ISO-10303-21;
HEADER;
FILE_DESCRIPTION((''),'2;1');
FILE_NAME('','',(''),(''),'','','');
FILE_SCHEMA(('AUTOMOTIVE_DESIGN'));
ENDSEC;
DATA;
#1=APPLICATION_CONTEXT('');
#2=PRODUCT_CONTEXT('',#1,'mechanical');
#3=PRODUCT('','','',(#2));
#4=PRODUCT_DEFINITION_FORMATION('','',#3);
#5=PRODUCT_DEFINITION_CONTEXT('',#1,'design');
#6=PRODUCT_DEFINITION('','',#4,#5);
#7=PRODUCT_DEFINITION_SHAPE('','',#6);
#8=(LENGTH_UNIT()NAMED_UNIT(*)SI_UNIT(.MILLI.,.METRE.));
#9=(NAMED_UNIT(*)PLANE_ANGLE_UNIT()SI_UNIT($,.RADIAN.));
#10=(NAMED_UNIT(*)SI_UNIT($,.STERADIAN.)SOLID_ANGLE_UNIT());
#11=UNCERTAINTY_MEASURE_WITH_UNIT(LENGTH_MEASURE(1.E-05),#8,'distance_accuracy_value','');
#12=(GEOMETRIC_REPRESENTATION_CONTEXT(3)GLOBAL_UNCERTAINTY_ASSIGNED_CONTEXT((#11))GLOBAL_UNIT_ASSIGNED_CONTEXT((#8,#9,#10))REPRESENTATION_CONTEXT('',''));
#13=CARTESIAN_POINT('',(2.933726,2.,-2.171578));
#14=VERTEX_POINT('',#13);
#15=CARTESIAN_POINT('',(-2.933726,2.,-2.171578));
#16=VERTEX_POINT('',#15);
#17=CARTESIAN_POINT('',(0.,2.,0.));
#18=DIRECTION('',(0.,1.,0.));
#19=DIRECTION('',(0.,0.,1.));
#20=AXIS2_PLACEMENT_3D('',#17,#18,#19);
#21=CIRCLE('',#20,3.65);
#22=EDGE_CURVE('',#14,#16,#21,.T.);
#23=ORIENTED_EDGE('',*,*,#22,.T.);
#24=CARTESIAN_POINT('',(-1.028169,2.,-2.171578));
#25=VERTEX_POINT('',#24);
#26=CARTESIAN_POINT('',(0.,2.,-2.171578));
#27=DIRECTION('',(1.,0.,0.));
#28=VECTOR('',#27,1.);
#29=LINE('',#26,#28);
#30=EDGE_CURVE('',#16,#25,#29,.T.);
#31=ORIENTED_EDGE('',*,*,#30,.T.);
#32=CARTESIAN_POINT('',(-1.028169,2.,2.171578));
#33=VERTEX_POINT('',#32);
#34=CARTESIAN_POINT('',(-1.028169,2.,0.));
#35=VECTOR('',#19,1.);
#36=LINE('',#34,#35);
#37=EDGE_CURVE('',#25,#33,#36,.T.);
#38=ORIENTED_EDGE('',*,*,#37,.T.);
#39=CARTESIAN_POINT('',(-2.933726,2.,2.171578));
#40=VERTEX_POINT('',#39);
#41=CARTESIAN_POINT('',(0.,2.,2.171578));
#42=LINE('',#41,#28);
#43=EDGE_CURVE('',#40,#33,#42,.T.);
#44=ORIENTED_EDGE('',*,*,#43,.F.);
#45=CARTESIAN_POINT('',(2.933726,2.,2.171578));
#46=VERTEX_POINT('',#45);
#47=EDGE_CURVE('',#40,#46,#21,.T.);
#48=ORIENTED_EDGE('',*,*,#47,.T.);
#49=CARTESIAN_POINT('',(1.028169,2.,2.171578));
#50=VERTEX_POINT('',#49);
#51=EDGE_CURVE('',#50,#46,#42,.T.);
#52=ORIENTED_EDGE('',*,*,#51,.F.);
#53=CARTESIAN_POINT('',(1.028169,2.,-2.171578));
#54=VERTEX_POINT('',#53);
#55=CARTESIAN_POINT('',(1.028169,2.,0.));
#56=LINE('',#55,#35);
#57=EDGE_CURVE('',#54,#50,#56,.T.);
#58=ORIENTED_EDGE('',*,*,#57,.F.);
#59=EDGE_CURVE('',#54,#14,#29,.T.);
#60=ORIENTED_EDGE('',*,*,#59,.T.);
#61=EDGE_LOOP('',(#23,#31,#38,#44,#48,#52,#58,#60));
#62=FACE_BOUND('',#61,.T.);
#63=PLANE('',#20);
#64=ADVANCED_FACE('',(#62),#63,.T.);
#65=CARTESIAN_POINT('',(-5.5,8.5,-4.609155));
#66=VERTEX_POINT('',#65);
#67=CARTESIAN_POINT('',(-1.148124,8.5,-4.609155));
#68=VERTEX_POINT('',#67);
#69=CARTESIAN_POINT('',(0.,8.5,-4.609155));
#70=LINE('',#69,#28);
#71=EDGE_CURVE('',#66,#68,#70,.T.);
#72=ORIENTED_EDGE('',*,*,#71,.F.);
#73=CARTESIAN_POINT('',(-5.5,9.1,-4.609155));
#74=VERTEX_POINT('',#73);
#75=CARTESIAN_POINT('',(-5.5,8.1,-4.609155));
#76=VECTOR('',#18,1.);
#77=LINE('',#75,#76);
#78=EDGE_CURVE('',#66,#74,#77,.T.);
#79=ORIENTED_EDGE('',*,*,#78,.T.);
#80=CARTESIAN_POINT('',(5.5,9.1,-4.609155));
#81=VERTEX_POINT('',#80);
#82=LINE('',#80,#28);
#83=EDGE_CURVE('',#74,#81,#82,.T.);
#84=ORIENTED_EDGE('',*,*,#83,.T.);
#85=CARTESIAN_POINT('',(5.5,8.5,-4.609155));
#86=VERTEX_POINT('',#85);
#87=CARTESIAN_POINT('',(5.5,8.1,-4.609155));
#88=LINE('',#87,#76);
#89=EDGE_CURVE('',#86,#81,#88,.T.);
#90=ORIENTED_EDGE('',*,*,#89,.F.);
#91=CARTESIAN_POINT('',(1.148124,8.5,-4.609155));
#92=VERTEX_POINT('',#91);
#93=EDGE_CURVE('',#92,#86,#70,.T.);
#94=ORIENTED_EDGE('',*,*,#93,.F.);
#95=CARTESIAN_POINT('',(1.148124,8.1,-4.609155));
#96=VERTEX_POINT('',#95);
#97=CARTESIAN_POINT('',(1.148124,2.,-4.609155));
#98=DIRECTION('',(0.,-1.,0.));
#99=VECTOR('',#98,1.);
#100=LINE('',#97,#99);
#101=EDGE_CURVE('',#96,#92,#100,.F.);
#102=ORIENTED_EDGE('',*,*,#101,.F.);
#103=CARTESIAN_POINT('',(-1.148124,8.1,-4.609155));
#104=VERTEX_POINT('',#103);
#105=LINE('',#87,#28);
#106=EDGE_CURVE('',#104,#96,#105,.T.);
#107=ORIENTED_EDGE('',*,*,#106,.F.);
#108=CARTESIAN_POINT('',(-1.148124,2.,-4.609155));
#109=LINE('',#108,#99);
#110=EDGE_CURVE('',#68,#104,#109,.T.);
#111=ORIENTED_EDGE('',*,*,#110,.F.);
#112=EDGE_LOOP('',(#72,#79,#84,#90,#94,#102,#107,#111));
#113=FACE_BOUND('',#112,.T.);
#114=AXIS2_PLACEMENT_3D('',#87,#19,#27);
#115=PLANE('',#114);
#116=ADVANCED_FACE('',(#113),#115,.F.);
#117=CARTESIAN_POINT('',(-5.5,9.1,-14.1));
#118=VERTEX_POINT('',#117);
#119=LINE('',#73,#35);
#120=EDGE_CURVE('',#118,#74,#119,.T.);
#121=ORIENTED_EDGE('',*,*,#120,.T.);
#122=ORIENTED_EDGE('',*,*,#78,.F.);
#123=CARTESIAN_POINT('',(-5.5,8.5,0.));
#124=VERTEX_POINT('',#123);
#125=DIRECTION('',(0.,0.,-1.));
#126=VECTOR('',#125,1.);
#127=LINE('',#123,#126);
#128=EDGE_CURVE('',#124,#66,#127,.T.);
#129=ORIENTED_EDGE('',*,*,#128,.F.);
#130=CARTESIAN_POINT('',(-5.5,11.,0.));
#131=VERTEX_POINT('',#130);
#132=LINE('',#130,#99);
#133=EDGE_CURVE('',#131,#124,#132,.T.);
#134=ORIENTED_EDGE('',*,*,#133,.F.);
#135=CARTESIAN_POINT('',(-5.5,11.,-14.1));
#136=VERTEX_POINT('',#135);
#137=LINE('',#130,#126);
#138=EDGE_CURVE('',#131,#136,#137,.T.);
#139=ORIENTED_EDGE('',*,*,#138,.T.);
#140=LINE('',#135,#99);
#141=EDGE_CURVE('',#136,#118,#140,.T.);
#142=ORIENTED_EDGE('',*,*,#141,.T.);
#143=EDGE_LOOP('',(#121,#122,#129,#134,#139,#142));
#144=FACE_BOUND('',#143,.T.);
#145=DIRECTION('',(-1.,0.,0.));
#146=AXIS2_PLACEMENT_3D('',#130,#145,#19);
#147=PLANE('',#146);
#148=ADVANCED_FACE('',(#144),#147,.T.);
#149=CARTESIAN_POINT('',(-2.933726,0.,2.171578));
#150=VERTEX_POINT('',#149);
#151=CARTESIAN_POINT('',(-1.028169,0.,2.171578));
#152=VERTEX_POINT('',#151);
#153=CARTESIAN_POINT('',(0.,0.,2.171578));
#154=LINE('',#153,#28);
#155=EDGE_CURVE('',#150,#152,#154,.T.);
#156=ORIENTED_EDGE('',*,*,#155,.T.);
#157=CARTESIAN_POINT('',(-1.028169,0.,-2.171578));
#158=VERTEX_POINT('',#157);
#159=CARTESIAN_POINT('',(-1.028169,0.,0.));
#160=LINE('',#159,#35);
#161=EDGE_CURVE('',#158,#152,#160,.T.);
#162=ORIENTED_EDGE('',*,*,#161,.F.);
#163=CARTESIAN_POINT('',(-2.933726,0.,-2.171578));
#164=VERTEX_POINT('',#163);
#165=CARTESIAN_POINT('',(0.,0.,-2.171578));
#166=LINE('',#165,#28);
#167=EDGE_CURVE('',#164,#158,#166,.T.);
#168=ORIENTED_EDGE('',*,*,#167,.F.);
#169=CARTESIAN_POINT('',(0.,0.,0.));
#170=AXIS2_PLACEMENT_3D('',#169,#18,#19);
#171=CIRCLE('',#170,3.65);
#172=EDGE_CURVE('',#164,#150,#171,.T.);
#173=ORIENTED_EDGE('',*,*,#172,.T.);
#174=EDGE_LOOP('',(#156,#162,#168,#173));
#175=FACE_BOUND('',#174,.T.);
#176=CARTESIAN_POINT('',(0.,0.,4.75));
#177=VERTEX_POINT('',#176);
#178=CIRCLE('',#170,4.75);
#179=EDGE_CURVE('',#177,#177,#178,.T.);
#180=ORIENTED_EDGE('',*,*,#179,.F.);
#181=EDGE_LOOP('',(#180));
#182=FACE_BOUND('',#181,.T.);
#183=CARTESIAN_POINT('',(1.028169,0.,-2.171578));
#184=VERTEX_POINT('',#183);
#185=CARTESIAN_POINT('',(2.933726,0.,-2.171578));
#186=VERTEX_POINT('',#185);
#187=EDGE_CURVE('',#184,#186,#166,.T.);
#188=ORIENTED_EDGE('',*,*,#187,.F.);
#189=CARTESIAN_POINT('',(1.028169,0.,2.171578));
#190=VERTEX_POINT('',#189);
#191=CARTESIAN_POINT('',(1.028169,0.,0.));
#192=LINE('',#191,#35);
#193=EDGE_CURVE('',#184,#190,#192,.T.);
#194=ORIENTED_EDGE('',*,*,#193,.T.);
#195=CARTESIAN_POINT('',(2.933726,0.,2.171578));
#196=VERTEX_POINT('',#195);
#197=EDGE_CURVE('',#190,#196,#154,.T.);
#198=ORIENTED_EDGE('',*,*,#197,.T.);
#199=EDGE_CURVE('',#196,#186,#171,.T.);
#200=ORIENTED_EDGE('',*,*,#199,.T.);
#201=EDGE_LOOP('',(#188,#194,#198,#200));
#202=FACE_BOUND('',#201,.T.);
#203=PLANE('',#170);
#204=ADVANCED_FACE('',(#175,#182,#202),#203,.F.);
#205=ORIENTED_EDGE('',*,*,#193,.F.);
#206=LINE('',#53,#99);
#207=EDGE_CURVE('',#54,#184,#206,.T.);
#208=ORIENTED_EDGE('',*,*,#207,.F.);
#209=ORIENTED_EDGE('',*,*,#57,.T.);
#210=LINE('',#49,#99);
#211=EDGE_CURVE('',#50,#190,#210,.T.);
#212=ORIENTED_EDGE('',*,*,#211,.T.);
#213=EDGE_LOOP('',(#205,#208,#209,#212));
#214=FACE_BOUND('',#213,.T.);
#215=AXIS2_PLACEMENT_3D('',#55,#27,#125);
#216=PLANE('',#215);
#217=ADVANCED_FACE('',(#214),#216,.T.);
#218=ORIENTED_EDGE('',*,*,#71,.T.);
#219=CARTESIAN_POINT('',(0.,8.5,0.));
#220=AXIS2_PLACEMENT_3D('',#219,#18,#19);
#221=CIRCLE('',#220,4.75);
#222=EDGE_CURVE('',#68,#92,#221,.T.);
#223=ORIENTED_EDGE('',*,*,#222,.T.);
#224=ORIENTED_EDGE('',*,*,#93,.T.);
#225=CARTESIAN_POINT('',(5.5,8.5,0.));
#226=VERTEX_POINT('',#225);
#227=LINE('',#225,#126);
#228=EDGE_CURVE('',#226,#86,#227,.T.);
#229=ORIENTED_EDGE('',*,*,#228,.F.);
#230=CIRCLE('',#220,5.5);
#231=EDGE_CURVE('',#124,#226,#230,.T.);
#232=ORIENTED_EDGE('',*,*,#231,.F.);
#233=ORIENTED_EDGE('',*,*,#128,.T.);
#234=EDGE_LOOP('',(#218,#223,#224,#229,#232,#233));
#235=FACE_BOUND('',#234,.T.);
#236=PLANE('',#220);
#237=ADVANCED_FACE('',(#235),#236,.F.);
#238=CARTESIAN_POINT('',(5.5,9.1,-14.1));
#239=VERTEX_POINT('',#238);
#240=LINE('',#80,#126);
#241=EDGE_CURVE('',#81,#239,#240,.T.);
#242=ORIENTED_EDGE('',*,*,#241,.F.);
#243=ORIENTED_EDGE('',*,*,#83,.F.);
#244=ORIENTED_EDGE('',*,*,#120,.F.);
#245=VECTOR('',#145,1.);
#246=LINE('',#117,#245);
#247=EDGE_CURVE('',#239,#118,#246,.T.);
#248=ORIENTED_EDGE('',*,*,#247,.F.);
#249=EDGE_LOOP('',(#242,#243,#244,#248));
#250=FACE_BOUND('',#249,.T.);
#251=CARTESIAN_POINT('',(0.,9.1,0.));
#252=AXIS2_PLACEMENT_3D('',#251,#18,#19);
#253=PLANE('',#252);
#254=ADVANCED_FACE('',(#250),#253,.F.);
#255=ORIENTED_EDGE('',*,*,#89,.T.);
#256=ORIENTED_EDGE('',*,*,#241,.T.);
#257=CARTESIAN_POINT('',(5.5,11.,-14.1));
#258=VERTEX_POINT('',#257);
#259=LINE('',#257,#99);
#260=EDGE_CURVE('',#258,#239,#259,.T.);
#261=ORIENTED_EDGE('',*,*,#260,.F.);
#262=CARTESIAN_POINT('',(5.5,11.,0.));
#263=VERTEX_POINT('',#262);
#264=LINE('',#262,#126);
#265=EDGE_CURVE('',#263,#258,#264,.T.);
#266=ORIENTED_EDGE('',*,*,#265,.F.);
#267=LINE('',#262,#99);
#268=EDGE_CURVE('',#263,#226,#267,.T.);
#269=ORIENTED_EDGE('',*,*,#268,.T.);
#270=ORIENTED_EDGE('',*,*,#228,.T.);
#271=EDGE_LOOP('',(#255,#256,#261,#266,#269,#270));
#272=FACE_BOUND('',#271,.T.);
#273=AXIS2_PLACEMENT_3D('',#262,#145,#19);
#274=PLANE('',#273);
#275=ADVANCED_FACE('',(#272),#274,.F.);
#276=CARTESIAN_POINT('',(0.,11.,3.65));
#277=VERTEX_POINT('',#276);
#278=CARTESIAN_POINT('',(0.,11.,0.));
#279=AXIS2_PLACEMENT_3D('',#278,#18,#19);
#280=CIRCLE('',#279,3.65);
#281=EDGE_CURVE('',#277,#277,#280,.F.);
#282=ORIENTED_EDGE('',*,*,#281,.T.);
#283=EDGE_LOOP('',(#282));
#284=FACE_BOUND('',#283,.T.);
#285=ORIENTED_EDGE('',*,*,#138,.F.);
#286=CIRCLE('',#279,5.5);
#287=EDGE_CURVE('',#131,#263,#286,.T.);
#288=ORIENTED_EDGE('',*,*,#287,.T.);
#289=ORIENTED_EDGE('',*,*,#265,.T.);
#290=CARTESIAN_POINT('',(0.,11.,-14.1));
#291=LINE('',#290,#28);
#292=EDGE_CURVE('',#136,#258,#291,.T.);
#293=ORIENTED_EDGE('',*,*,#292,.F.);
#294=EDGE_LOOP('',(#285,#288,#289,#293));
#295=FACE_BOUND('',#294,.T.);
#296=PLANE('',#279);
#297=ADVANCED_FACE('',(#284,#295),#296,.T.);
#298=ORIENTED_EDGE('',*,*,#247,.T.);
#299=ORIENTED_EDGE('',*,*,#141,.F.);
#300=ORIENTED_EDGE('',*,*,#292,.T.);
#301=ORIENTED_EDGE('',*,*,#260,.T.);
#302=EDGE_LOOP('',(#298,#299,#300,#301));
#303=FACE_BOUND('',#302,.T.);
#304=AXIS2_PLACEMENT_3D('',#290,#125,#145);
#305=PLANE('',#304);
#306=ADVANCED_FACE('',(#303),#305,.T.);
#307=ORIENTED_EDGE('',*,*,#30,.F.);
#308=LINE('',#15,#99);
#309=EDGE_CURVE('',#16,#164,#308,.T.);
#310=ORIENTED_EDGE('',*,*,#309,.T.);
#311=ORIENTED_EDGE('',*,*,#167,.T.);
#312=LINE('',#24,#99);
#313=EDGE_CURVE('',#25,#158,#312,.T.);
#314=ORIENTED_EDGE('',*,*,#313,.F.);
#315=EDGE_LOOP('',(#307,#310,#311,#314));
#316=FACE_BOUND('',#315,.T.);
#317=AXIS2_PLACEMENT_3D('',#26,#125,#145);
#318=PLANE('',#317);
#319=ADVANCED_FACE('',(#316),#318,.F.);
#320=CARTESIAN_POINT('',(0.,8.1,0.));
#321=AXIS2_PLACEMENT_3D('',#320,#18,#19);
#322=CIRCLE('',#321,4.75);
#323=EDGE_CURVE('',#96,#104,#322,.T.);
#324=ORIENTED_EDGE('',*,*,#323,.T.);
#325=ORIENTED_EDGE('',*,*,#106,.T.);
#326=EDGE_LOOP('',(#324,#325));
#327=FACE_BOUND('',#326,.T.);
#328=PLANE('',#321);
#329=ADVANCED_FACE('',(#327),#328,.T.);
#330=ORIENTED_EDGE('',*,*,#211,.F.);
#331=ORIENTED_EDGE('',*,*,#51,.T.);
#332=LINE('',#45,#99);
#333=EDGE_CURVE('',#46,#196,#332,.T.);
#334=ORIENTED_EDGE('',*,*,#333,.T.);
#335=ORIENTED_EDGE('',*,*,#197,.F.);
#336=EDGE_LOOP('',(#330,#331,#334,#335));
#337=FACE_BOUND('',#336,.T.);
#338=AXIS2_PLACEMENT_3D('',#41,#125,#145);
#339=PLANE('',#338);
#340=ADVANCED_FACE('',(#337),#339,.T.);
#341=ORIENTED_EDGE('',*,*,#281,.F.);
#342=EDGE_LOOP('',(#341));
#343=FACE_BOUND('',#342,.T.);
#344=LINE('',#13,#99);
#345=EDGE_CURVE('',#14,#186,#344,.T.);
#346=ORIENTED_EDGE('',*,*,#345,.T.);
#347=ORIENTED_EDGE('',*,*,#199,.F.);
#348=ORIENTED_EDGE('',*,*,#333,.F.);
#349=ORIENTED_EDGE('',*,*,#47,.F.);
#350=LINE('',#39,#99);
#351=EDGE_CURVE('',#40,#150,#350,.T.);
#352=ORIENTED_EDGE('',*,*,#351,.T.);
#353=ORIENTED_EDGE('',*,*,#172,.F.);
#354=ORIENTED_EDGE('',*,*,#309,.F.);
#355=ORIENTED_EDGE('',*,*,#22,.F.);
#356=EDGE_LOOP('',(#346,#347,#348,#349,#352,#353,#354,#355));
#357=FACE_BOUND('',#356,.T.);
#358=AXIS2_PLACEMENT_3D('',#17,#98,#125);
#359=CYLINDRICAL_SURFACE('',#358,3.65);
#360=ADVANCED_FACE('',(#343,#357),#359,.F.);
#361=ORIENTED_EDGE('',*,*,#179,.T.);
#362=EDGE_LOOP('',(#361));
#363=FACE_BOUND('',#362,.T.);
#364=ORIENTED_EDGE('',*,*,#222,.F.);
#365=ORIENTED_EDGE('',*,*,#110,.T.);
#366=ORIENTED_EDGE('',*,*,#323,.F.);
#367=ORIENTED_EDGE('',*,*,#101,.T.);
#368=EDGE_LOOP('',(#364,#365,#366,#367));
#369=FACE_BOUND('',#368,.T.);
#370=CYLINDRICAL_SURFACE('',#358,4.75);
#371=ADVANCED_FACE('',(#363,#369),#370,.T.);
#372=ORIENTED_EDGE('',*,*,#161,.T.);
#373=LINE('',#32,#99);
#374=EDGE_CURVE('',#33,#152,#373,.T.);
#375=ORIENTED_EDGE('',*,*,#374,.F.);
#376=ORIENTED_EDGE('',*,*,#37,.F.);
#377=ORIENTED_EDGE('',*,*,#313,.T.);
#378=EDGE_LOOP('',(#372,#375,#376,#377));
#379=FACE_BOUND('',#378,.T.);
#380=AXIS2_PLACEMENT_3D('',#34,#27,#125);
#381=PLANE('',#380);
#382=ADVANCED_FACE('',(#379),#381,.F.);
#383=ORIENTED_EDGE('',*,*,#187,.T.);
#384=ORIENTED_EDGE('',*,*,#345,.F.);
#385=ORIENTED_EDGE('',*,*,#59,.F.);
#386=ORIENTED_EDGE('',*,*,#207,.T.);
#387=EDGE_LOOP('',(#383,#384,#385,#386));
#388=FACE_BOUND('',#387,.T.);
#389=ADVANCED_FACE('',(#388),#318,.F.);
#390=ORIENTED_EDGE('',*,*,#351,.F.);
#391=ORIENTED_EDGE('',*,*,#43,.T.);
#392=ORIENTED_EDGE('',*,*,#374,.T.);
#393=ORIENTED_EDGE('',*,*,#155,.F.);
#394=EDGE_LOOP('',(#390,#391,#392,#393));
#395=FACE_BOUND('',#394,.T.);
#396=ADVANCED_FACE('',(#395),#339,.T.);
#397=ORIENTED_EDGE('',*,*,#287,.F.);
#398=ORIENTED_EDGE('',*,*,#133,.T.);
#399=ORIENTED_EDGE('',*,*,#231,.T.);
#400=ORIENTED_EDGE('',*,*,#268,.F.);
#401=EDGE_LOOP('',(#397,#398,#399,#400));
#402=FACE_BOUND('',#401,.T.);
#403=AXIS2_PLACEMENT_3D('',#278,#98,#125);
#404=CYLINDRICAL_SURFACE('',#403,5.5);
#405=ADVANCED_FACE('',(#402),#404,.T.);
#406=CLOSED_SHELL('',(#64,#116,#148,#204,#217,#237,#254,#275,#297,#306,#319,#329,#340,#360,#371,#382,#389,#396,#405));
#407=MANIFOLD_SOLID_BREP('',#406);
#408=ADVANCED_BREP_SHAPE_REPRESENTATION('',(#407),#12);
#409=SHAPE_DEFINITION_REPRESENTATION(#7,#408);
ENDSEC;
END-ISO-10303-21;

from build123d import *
from build123d.topology import SkipClean

# Parameters (mm, degrees)
SKETCH1_R           = 4.75
BOSS_EXTRUDE1_DEPTH = 2
SKETCH2_R           = 4.75
SKETCH2_R_2         = 3.65
BOSS_EXTRUDE2_DEPTH = 6.5
SKETCH3_R           = 3.65
BOSS_EXTRUDE3_DEPTH = 2.5
CUT_EXTRUDE1_START  = -1.9
SKETCH5_W           = 11
SKETCH5_H           = 9.490844779
CUT_EXTRUDE1_DEPTH  = 1


with BuildPart() as part:
    # Sketch1 → Boss-Extrude1 (new body)
    with BuildSketch(Plane(origin=(0, 0, 0), x_dir=(1, 0, 0), z_dir=(0, 1, 0))):
        Circle(SKETCH1_R)
        with BuildLine():
            Line((-1.028169014, 2.171577767), (-1.028169014, -2.171577767))
            Line((-1.028169014, -2.171577767), (-2.9337263, -2.171577767))
            ThreePointArc((-2.9337263, -2.171577767), (-3.65, 0), (-2.9337263, 2.171577767))
            Line((-2.9337263, 2.171577767), (-1.028169014, 2.171577767))
        make_face(mode=Mode.SUBTRACT)
        with BuildLine():
            Line((1.028169014, 2.171577767), (2.9337263, 2.171577767))
            ThreePointArc((2.9337263, 2.171577767), (3.65, 0), (2.9337263, -2.171577767))
            Line((2.9337263, -2.171577767), (1.028169014, -2.171577767))
            Line((1.028169014, -2.171577767), (1.028169014, 2.171577767))
        make_face(mode=Mode.SUBTRACT)
    extrude(amount=BOSS_EXTRUDE1_DEPTH)

    # Sketch2 → Boss-Extrude2 (add)
    with SkipClean():  # the faces are left unmerged after this step: merging them gives an invalid solid
        with BuildSketch(Plane(origin=(0, 2, 0), x_dir=(1, 0, 0), z_dir=(0, 1, 0))):
            Circle(SKETCH2_R)
            Circle(SKETCH2_R_2, mode=Mode.SUBTRACT)
        extrude(amount=BOSS_EXTRUDE2_DEPTH)

    # Sketch3 → Boss-Extrude3 (add)
    with SkipClean():  # the faces are left unmerged after this step: merging them gives an invalid solid
        with BuildSketch(Plane(origin=(0, 8.5, 0), x_dir=(1, 0, 0), z_dir=(0, 1, 0))):
            with BuildLine():
                ThreePointArc((-5.5, 0), (0, -5.5), (5.5, 0))
                Line((5.5, 0), (5.5, 14.1))
                Line((5.5, 14.1), (-5.5, 14.1))
                Line((-5.5, 14.1), (-5.5, 0))
            make_face()
            Circle(SKETCH3_R, mode=Mode.SUBTRACT)
        extrude(amount=BOSS_EXTRUDE3_DEPTH)

    # Sketch5 → Cut-Extrude1 (cut)
    with SkipClean():  # the faces are left unmerged after this step: merging them gives an invalid solid
        with BuildSketch(Plane(origin=(0, 11, 0), x_dir=(1, 0, 0), z_dir=(0, 1, 0)).offset(CUT_EXTRUDE1_START)):
            with Locations((0, 9.354577611)):
                Rectangle(SKETCH5_W, SKETCH5_H)
        extrude(amount=-CUT_EXTRUDE1_DEPTH, mode=Mode.SUBTRACT)


solid = part.part
